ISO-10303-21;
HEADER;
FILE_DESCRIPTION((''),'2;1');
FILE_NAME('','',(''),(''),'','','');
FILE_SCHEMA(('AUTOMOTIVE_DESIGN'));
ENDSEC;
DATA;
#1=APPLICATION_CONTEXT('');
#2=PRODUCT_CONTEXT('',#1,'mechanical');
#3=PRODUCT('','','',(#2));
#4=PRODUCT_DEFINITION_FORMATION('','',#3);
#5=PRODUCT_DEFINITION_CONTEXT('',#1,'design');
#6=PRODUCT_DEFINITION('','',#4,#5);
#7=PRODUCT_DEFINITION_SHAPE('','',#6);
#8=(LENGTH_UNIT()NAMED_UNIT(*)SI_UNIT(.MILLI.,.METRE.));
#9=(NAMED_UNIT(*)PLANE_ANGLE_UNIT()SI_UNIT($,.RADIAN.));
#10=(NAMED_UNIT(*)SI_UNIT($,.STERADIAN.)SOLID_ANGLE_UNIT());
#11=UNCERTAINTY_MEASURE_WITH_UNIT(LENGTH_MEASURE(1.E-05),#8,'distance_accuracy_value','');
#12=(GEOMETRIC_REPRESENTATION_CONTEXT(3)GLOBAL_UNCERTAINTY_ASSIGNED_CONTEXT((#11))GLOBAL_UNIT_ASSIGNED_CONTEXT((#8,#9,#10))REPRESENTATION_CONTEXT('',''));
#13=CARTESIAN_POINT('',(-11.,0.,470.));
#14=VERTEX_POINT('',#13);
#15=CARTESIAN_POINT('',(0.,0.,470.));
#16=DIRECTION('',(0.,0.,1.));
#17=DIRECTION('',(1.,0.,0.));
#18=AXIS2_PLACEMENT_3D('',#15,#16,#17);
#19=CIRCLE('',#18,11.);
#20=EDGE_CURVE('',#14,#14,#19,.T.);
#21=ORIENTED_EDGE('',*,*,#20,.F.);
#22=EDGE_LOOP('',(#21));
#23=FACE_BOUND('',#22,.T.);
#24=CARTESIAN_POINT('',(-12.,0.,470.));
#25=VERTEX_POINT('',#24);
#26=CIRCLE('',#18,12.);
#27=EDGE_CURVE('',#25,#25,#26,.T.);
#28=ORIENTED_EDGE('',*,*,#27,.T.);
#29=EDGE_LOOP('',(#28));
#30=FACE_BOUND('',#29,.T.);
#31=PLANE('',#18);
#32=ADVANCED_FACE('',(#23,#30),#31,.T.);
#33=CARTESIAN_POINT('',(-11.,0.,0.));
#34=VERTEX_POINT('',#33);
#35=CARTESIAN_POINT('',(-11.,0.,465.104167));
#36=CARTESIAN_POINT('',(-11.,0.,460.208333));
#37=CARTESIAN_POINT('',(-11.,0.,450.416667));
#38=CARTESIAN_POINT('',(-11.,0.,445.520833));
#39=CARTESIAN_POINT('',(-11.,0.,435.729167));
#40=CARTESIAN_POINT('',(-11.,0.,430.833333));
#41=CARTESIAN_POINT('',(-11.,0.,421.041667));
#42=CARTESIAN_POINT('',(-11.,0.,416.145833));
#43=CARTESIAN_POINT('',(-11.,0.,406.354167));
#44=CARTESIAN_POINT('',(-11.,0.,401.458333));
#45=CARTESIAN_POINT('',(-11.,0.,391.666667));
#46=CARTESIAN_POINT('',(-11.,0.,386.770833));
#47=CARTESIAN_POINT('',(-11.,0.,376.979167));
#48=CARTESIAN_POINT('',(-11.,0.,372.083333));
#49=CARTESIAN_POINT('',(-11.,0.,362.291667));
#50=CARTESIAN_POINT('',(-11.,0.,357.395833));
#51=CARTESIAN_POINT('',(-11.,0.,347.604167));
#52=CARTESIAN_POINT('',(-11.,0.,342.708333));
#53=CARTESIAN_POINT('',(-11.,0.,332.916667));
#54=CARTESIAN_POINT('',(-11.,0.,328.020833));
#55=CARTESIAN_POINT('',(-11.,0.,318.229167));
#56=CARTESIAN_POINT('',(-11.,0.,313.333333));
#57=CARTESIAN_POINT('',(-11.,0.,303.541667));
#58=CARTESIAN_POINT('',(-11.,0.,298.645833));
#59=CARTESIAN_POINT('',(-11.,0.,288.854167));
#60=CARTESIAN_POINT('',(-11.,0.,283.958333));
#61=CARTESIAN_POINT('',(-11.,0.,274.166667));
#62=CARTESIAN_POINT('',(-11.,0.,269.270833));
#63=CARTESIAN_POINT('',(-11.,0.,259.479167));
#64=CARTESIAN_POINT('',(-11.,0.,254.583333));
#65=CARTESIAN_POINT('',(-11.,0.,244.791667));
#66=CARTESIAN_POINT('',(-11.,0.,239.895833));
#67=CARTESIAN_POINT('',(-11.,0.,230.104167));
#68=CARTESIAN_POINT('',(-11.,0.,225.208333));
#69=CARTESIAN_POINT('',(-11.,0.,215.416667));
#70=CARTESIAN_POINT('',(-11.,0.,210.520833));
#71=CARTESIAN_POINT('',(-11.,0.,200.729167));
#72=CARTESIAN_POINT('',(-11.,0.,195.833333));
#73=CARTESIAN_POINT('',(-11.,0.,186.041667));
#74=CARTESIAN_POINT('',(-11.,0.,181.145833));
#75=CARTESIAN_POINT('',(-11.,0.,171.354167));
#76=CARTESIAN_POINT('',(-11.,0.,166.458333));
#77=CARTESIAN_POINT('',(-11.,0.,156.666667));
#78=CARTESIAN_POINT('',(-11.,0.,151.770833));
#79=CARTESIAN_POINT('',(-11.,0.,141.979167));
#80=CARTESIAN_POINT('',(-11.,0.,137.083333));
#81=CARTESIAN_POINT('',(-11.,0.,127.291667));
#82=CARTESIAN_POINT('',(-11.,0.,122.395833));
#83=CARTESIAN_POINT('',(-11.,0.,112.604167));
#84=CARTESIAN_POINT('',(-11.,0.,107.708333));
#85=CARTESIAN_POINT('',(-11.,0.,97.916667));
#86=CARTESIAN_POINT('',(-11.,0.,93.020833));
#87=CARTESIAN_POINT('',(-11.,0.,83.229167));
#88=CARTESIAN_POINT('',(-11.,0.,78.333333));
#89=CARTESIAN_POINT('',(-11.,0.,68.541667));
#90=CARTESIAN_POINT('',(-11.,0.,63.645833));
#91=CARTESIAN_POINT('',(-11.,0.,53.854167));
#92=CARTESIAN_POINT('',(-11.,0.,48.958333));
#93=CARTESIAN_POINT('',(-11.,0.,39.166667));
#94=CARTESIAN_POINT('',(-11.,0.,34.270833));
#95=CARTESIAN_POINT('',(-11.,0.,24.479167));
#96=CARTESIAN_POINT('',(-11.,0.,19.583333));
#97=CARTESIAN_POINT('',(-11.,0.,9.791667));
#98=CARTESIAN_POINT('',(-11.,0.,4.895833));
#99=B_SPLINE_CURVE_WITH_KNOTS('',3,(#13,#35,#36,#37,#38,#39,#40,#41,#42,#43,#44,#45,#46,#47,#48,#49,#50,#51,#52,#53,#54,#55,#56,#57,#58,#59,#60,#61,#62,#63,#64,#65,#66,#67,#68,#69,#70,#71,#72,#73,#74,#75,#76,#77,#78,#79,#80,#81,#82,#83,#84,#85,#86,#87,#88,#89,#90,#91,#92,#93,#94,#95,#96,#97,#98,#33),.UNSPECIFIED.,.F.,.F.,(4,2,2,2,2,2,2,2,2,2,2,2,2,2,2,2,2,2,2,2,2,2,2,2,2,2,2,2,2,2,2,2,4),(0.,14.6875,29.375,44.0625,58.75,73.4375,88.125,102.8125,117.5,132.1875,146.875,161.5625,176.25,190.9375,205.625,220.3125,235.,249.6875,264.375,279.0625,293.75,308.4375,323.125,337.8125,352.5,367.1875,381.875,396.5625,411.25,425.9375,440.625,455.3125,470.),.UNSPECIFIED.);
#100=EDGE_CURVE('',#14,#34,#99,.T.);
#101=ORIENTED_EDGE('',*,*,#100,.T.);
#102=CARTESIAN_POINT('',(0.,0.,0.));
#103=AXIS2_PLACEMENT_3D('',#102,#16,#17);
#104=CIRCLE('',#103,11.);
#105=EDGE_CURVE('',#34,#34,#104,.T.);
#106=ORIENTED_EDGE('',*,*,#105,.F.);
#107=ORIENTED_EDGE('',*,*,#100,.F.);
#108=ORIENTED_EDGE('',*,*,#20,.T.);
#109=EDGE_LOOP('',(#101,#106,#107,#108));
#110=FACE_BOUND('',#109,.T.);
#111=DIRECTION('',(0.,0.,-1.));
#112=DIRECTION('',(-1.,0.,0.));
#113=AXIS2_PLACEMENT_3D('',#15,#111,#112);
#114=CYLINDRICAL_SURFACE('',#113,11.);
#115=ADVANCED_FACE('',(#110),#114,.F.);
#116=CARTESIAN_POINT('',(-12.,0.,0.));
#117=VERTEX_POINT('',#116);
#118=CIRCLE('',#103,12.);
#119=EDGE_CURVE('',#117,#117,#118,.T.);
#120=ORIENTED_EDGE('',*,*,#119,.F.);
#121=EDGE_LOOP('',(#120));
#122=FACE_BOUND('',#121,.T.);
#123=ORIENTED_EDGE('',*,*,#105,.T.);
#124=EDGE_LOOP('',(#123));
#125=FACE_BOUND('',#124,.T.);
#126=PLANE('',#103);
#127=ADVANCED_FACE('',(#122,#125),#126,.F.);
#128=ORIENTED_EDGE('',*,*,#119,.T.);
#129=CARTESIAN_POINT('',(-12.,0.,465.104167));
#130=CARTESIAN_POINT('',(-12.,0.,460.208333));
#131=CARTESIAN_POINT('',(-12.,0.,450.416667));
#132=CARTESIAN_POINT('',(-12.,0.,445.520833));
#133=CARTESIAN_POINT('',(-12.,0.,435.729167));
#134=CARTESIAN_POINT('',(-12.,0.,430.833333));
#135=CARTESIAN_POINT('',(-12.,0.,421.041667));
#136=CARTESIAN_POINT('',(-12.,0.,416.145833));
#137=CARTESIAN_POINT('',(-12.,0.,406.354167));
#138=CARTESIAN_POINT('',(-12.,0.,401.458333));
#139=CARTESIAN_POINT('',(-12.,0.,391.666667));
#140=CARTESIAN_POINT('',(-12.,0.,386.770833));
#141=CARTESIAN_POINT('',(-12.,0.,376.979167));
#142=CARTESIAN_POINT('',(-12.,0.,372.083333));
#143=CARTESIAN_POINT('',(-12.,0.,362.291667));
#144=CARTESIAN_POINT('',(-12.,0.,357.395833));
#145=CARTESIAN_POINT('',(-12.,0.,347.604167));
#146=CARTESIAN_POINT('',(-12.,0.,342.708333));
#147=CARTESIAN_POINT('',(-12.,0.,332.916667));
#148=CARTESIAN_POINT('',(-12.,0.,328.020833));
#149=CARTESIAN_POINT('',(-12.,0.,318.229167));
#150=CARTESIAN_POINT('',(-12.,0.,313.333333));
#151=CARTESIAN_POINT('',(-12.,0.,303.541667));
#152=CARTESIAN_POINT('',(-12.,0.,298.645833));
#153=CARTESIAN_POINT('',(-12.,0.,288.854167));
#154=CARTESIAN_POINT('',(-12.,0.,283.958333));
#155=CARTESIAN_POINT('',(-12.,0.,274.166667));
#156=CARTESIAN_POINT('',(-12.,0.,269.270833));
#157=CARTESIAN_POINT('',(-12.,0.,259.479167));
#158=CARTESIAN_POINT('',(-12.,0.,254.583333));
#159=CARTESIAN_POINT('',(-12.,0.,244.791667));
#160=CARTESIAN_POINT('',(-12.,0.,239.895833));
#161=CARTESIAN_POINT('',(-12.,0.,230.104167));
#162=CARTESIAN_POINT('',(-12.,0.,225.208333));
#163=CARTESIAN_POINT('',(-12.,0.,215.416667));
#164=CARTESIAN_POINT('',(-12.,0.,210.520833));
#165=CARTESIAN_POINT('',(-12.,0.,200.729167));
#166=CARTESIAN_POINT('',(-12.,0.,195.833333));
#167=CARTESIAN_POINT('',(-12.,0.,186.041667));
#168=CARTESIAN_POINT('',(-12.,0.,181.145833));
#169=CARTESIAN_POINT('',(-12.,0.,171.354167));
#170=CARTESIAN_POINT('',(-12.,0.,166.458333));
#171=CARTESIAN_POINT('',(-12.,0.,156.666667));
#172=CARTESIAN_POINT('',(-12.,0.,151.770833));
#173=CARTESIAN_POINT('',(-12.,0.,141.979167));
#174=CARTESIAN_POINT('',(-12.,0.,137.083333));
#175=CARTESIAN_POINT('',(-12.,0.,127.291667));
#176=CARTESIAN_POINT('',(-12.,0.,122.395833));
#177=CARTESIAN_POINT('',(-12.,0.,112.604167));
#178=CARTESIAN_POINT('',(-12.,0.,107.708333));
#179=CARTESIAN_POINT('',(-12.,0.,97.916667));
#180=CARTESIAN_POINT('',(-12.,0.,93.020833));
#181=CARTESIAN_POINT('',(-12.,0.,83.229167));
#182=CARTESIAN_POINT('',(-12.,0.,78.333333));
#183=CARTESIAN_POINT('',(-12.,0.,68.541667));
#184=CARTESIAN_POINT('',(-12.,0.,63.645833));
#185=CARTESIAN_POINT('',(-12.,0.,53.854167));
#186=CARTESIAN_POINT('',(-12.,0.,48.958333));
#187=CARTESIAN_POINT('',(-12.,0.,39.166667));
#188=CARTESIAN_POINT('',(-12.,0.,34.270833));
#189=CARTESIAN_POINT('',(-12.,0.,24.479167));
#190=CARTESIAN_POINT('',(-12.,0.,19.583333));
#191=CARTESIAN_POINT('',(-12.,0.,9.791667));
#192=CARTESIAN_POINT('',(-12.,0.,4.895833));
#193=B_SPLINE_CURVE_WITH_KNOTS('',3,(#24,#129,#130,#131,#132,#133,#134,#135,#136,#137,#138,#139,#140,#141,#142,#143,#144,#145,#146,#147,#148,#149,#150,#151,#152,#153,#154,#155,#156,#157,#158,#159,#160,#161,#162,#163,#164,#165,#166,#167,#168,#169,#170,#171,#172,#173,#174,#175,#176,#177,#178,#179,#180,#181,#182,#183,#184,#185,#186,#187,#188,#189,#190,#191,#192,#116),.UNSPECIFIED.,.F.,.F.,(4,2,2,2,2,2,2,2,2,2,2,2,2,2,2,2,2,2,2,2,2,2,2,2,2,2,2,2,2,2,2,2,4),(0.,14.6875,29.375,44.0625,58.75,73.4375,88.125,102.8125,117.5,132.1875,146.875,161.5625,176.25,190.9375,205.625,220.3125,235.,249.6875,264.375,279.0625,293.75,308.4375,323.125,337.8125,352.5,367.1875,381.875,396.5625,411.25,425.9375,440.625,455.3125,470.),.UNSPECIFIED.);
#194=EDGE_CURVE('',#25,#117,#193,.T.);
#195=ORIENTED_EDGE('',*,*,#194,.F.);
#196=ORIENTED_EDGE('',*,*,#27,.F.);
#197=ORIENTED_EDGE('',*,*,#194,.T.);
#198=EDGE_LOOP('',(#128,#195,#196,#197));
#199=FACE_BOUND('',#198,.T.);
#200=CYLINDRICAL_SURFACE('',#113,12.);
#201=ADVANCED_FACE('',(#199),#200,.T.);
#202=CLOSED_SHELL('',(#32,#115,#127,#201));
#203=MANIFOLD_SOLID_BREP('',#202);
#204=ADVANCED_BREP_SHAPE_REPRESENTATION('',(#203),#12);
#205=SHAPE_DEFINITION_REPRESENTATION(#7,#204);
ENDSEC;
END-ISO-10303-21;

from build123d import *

# Parameters (mm, degrees)
IZIM1_R                     = 12
IZIM1_R_2                   = 11
Y_KSEKLIK_EKSTR_ZYON1_DEPTH = 470


with BuildPart() as part:
    # Çizim1 → Yükseklik-Ekstrüzyon1 (new body)
    with BuildSketch(Plane.XY):
        with Locations(Location((0, 0, 0), (0, 0, 180))):
            Circle(IZIM1_R)
        with Locations(Location((0, 0, 0), (0, 0, 180))):
            Circle(IZIM1_R_2, mode=Mode.SUBTRACT)
    extrude(amount=Y_KSEKLIK_EKSTR_ZYON1_DEPTH)


solid = part.part
